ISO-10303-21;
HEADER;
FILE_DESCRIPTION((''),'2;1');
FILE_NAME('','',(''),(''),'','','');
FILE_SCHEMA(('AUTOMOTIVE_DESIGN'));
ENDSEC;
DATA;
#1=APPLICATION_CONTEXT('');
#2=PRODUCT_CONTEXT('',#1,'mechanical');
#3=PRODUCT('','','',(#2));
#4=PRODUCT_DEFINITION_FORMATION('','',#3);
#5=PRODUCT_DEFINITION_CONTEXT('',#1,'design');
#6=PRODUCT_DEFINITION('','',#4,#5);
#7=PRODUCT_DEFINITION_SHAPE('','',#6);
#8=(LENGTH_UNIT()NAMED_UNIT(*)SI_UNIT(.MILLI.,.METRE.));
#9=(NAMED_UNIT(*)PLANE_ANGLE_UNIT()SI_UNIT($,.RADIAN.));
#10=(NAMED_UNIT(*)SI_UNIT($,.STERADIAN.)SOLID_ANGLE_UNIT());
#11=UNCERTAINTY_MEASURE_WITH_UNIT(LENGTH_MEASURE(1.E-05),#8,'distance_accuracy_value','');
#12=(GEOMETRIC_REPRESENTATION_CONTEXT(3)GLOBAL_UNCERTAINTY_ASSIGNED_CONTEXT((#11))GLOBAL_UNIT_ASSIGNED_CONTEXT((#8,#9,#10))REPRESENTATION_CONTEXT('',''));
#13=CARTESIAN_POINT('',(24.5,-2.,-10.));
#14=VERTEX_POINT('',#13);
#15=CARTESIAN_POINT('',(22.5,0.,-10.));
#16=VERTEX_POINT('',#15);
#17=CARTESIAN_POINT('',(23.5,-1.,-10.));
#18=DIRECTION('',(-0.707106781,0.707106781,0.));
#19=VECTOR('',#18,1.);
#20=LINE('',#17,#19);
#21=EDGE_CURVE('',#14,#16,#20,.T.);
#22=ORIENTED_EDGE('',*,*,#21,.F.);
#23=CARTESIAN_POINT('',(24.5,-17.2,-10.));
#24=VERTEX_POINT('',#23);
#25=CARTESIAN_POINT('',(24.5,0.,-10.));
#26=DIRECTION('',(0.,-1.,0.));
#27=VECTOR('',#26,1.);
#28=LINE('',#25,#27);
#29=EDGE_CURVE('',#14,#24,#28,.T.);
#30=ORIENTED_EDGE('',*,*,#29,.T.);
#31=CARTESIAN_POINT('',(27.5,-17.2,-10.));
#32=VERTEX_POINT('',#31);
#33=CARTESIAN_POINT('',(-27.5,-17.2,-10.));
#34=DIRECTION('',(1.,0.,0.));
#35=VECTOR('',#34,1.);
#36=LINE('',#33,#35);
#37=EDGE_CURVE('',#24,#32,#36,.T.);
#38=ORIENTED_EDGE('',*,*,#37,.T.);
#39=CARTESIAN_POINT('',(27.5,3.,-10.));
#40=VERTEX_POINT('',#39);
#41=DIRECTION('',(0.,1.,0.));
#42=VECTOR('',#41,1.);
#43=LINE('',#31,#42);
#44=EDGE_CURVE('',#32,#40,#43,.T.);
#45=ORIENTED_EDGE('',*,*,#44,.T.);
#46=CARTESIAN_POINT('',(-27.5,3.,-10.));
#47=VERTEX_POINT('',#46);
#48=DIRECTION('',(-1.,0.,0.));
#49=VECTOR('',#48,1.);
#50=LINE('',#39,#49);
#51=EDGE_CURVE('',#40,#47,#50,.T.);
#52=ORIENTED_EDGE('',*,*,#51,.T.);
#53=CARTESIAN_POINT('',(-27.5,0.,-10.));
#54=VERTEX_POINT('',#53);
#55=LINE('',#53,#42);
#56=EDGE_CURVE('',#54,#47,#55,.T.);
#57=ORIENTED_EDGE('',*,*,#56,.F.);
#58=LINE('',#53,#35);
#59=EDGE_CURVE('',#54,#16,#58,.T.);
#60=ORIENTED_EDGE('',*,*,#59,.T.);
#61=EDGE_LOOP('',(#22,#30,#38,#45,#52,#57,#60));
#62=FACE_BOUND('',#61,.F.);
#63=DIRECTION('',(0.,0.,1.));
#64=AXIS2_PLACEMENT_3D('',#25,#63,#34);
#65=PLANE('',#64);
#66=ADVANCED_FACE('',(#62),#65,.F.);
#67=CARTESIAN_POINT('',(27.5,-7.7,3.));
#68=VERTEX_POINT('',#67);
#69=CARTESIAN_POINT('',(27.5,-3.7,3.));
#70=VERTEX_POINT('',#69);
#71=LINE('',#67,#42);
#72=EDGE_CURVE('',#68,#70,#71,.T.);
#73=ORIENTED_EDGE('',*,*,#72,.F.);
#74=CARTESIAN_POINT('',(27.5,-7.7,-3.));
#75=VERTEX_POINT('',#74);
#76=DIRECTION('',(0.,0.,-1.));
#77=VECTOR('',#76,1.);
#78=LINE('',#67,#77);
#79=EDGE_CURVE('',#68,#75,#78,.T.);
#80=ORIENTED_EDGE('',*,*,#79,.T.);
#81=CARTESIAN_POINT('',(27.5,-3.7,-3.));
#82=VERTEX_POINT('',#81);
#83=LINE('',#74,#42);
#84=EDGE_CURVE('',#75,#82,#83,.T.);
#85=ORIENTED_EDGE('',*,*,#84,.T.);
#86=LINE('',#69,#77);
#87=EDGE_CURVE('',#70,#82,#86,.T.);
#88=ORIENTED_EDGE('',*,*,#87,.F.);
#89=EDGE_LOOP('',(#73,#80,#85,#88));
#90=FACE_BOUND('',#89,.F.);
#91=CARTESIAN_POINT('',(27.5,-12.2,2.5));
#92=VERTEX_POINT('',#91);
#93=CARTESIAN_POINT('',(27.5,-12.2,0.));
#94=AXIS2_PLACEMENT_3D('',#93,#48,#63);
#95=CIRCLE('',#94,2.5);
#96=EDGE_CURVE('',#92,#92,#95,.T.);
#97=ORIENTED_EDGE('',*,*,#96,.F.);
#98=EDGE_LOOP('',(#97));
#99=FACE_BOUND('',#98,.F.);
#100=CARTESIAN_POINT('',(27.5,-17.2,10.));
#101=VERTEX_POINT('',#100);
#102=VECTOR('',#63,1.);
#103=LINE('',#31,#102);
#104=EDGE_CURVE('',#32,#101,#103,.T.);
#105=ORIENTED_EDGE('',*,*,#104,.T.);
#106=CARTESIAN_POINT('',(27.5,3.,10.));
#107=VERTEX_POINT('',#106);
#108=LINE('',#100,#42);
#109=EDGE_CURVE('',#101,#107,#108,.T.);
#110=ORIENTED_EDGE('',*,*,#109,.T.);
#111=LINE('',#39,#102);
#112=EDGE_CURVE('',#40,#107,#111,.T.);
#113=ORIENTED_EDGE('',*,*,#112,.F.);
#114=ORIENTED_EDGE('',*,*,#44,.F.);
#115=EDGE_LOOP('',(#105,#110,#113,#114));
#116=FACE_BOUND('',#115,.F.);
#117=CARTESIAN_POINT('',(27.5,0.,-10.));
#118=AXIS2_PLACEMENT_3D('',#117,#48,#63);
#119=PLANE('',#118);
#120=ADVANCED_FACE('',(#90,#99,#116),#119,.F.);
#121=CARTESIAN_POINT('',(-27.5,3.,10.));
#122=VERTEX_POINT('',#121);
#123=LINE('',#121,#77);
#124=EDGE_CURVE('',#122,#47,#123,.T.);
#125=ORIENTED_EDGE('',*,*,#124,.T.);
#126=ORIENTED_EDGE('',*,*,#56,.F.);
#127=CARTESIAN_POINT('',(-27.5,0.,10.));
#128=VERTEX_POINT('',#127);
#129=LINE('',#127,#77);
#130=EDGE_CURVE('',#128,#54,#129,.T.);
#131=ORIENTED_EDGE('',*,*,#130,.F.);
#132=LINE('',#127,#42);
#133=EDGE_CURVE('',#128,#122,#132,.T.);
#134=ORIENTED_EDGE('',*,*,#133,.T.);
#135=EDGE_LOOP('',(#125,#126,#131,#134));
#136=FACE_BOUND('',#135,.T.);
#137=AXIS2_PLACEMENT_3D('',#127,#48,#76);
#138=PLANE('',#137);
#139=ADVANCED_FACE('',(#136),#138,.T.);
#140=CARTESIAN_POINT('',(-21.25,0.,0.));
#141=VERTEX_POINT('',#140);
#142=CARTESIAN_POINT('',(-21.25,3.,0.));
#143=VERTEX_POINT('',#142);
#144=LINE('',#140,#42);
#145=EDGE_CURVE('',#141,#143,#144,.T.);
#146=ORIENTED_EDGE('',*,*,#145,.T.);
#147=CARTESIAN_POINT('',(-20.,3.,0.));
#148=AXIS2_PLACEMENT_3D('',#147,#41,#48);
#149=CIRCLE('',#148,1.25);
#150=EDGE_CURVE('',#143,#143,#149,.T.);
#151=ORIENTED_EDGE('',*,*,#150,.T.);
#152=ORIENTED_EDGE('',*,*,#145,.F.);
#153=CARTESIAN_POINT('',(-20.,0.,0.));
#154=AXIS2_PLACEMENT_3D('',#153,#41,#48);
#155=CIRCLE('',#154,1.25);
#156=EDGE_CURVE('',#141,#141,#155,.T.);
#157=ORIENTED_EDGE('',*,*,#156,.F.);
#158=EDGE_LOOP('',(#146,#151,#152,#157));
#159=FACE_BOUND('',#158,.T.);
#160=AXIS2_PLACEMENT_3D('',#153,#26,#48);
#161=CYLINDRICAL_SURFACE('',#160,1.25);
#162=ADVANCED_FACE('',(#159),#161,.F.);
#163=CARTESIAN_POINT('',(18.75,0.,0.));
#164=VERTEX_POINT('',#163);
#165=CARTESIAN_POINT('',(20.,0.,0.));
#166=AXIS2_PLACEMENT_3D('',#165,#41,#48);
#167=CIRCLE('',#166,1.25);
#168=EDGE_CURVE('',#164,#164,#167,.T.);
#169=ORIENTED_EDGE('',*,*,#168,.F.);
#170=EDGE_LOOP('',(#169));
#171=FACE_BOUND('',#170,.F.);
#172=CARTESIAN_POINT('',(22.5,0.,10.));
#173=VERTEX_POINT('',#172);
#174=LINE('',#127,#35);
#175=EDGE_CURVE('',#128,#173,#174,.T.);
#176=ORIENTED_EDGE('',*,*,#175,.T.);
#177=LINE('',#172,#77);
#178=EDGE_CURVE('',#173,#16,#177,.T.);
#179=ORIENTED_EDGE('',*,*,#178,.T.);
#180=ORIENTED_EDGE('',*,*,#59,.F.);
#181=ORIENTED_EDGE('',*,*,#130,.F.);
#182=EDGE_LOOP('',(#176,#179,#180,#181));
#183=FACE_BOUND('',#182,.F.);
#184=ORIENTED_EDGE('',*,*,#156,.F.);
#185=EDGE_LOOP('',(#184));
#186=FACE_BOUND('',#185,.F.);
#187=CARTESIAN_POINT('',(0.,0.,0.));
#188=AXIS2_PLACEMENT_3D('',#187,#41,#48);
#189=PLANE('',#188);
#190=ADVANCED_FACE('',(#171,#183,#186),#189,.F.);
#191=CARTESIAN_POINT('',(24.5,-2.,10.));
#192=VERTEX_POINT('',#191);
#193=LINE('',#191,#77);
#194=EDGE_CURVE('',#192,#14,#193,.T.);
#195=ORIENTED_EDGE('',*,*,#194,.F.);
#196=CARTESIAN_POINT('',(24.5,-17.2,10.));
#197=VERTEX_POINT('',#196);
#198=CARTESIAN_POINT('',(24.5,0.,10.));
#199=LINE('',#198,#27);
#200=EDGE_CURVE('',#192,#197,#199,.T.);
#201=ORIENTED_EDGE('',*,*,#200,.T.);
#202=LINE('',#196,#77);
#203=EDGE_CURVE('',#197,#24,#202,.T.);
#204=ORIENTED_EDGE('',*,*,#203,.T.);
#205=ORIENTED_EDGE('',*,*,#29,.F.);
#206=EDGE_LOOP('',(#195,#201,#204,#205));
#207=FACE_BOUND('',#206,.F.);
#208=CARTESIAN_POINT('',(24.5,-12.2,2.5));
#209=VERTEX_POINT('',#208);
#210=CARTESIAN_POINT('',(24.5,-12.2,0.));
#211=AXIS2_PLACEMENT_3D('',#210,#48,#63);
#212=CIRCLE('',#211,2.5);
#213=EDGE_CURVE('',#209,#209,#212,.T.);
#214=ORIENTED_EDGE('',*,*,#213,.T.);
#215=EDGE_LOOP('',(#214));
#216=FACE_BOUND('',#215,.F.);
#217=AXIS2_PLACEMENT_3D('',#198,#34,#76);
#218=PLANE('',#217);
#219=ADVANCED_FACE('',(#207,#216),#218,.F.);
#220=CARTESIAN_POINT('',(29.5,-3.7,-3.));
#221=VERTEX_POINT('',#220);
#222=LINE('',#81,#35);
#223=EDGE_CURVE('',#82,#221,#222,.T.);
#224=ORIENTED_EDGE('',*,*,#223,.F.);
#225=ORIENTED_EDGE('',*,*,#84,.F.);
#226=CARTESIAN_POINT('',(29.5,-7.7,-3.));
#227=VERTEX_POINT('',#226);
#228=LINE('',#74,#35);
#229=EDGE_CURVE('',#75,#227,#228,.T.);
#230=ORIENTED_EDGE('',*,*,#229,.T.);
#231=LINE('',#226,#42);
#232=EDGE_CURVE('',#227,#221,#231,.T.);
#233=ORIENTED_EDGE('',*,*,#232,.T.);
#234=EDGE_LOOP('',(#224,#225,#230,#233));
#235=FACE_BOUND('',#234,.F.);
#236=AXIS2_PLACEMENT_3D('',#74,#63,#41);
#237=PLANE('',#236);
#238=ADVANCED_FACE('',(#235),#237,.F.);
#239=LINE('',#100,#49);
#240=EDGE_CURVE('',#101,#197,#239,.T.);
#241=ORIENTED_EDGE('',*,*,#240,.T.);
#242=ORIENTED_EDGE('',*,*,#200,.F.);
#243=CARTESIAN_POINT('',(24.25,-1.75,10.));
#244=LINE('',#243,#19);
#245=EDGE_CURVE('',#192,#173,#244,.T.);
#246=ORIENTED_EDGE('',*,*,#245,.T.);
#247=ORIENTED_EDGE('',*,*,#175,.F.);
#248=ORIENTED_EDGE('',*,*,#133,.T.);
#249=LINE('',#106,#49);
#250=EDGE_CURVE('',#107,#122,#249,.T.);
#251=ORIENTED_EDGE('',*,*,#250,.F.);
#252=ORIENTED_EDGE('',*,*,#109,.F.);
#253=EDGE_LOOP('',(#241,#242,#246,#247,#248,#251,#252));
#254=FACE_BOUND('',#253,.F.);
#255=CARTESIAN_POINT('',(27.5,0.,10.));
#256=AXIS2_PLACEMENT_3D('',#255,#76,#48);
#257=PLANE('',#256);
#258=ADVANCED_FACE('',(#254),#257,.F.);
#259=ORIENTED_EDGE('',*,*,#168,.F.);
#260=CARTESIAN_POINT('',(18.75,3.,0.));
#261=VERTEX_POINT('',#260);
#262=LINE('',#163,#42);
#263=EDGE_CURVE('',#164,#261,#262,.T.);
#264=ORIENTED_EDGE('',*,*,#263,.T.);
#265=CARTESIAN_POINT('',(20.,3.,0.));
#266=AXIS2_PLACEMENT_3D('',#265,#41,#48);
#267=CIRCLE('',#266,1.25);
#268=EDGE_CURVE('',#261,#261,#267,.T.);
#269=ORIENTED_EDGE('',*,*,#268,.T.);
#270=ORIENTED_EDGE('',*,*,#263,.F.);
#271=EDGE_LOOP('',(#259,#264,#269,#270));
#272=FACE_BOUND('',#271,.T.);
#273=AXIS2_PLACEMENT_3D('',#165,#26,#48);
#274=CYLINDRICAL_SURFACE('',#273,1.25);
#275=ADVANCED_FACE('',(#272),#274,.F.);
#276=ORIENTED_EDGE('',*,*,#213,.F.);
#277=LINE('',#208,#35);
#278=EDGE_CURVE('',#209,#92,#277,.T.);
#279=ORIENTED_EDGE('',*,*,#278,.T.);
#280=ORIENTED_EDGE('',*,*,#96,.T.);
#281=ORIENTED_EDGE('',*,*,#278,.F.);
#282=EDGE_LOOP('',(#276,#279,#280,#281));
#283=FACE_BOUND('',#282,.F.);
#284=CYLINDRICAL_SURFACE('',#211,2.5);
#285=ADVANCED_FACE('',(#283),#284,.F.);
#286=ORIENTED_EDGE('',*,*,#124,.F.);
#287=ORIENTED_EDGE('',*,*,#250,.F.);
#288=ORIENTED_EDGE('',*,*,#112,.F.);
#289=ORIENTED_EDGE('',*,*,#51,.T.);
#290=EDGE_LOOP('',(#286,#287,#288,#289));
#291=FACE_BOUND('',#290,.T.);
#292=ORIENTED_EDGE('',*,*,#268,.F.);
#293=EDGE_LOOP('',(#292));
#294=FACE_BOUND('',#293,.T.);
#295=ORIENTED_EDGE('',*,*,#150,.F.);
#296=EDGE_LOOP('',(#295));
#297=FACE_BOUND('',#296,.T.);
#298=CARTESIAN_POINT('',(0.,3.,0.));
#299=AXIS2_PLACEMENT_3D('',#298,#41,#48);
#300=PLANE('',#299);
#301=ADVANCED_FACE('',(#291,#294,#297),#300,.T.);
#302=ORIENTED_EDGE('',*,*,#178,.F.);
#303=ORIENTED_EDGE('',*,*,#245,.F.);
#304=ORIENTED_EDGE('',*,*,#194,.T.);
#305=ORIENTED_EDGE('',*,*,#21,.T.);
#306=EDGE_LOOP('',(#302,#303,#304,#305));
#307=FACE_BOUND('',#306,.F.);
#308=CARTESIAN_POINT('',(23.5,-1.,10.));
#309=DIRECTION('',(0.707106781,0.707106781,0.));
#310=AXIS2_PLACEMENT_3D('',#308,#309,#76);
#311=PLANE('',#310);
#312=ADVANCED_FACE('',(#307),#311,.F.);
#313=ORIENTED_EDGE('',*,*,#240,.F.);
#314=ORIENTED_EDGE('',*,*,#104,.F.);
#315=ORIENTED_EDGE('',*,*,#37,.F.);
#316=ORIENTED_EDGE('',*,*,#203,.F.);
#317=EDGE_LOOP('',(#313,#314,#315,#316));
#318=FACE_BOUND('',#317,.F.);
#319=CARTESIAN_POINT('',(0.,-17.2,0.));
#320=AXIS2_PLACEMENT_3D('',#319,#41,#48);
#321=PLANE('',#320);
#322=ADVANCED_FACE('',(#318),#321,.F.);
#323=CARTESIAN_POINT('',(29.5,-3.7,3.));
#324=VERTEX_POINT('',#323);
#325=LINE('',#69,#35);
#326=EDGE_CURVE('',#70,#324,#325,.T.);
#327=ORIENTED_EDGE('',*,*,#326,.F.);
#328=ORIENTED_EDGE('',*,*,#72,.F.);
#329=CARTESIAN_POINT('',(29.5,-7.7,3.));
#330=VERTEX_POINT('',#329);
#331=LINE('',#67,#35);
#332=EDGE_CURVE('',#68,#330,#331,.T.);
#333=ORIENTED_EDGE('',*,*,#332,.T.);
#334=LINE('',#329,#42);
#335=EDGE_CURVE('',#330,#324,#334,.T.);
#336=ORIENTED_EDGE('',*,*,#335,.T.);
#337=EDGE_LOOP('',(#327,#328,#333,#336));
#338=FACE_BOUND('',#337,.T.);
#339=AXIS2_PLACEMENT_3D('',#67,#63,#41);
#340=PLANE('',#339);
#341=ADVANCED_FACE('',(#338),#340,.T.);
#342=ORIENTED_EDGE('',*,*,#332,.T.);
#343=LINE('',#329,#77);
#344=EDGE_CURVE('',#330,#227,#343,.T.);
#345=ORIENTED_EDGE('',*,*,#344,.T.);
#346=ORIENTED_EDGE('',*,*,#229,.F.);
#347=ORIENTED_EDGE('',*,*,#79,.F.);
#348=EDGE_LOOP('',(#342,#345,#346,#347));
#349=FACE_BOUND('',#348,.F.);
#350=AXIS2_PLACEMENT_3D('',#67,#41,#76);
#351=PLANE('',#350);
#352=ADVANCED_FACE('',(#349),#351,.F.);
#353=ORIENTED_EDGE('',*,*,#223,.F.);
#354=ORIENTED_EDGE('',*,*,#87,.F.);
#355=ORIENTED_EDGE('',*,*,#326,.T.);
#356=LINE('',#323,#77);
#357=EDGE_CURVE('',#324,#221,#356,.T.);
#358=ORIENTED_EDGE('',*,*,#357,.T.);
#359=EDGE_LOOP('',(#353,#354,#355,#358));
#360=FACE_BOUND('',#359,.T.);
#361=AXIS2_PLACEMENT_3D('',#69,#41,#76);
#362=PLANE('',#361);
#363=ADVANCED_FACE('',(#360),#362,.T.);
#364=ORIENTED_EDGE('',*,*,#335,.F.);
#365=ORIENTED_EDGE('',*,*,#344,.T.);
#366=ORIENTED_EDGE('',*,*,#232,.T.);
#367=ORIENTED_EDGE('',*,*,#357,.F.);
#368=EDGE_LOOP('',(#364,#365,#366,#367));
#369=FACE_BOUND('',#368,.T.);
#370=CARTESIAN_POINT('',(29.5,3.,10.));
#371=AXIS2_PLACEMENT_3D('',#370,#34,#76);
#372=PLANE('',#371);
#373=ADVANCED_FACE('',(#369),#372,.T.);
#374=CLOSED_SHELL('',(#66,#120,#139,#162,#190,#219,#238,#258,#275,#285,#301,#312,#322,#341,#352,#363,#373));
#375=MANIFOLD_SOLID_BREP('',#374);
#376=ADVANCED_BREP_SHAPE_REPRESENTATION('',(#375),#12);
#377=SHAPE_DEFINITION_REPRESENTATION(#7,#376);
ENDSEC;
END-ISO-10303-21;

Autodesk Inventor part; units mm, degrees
ref_plane "YZ Plane" through (0, 0, 0) normal (1, 0, 0) x (0, 1, 0)
ref_plane "XZ Plane" through (0, 0, 0) normal (0, 1, 0) x (-1, 0, 0)
ref_plane "XY Plane" through (0, 0, 0) normal (0, 0, 1) x (1, 0, 0)
sketch "스케치1" plane through (0, 0, 0) normal (0, 1, 0) x (-1, 0, 0)
  line L0 (-27.5, 10) -> (27.5, 10)
  line L1 (27.5, 10) -> (27.5, -10)
  line L2 (27.5, -10) -> (-27.5, -10)
  line L3 (-27.5, -10) -> (-27.5, 10)
  line L4 (-27.5, 10) -> (27.5, -10) construction
  line L5 (27.5, 10) -> (-27.5, -10) construction
  line L6 (-27.5, 10) -> (-24.5, 10)
  line L7 (-24.5, 10) -> (-24.5, -10)
  line L8 (-24.5, -10) -> (-27.5, -10)
  line L9 (-27.5, -10) -> (-27.5, 10)
  circle A0 centre (20, 0) radius 1.25
  circle A1 centre (-20, 0) radius 1.25
  point P0 (0, 0)
  dimension "d0" = 55
  dimension "d1" = 20
  dimension "d5" = 3
  dimension "d14" = 2.5
  dimension "d15" = 2.5
  dimension "d17" = 47.5
  dimension "d18" = 7.5
extrude "돌출1" add sketch "스케치1" along normal blind 3
extrude "돌출2" add sketch "스케치1" against normal blind 17.2 contours L0 L7 L2 L3
sketch "스케치2" plane through (24.5, -17.2, -10) normal (-1, 0, 0) x (0, 0, 1)
  line L0 (20, 17.2) -> (20, 0) projected
  line L1 (0, 17.2) -> (20, 17.2) projected
  line L2 (0, 17.2) -> (0, 0) projected
  line L3 (20, 0) -> (0, 0) projected
  line L4 (20, 17.2) -> (20, 0) projected
  circle A0 centre (10, 5) radius 2.5
  circle A1 centre (10, 5) radius 3.5
  point P0 (10, 17.2)
  point P1 (10, 0)
  dimension "d8" = 5
  dimension "d9" = 5
  dimension "d10" = 7
chamfer "모따기1" distance 2 angle 45 1 edges at (24.5, 0, 0)
extrude "돌출3" cut sketch "스케치2" against normal blind 3 contours A0
sketch "스케치5" plane through (27.5, 3, 10) normal (1, 0, 0) x (0, 0, -1)
  line L0 (0, -20.2) -> (0, 0) projected
  line L1 (20, -20.2) -> (0, -20.2) projected
  line L2 (7, -10.7) -> (13, -10.7)
  line L3 (20, -20.2) -> (20, 0) projected
  line L4 (10, -3) -> (10, -10.7) construction
  line L5 (7, -10.7) -> (7, -6.7)
  line L6 (13, -10.7) -> (13, -6.7)
  line L7 (7, -6.7) -> (13, -6.7)
  line L8 (20, -6.7) -> (20.03, -6.7)
  point P0 (7, -8.7)
  dimension "d33" = 3
extrude "돌출5" add sketch "스케치5" along normal blind 2
properties part number "base"
